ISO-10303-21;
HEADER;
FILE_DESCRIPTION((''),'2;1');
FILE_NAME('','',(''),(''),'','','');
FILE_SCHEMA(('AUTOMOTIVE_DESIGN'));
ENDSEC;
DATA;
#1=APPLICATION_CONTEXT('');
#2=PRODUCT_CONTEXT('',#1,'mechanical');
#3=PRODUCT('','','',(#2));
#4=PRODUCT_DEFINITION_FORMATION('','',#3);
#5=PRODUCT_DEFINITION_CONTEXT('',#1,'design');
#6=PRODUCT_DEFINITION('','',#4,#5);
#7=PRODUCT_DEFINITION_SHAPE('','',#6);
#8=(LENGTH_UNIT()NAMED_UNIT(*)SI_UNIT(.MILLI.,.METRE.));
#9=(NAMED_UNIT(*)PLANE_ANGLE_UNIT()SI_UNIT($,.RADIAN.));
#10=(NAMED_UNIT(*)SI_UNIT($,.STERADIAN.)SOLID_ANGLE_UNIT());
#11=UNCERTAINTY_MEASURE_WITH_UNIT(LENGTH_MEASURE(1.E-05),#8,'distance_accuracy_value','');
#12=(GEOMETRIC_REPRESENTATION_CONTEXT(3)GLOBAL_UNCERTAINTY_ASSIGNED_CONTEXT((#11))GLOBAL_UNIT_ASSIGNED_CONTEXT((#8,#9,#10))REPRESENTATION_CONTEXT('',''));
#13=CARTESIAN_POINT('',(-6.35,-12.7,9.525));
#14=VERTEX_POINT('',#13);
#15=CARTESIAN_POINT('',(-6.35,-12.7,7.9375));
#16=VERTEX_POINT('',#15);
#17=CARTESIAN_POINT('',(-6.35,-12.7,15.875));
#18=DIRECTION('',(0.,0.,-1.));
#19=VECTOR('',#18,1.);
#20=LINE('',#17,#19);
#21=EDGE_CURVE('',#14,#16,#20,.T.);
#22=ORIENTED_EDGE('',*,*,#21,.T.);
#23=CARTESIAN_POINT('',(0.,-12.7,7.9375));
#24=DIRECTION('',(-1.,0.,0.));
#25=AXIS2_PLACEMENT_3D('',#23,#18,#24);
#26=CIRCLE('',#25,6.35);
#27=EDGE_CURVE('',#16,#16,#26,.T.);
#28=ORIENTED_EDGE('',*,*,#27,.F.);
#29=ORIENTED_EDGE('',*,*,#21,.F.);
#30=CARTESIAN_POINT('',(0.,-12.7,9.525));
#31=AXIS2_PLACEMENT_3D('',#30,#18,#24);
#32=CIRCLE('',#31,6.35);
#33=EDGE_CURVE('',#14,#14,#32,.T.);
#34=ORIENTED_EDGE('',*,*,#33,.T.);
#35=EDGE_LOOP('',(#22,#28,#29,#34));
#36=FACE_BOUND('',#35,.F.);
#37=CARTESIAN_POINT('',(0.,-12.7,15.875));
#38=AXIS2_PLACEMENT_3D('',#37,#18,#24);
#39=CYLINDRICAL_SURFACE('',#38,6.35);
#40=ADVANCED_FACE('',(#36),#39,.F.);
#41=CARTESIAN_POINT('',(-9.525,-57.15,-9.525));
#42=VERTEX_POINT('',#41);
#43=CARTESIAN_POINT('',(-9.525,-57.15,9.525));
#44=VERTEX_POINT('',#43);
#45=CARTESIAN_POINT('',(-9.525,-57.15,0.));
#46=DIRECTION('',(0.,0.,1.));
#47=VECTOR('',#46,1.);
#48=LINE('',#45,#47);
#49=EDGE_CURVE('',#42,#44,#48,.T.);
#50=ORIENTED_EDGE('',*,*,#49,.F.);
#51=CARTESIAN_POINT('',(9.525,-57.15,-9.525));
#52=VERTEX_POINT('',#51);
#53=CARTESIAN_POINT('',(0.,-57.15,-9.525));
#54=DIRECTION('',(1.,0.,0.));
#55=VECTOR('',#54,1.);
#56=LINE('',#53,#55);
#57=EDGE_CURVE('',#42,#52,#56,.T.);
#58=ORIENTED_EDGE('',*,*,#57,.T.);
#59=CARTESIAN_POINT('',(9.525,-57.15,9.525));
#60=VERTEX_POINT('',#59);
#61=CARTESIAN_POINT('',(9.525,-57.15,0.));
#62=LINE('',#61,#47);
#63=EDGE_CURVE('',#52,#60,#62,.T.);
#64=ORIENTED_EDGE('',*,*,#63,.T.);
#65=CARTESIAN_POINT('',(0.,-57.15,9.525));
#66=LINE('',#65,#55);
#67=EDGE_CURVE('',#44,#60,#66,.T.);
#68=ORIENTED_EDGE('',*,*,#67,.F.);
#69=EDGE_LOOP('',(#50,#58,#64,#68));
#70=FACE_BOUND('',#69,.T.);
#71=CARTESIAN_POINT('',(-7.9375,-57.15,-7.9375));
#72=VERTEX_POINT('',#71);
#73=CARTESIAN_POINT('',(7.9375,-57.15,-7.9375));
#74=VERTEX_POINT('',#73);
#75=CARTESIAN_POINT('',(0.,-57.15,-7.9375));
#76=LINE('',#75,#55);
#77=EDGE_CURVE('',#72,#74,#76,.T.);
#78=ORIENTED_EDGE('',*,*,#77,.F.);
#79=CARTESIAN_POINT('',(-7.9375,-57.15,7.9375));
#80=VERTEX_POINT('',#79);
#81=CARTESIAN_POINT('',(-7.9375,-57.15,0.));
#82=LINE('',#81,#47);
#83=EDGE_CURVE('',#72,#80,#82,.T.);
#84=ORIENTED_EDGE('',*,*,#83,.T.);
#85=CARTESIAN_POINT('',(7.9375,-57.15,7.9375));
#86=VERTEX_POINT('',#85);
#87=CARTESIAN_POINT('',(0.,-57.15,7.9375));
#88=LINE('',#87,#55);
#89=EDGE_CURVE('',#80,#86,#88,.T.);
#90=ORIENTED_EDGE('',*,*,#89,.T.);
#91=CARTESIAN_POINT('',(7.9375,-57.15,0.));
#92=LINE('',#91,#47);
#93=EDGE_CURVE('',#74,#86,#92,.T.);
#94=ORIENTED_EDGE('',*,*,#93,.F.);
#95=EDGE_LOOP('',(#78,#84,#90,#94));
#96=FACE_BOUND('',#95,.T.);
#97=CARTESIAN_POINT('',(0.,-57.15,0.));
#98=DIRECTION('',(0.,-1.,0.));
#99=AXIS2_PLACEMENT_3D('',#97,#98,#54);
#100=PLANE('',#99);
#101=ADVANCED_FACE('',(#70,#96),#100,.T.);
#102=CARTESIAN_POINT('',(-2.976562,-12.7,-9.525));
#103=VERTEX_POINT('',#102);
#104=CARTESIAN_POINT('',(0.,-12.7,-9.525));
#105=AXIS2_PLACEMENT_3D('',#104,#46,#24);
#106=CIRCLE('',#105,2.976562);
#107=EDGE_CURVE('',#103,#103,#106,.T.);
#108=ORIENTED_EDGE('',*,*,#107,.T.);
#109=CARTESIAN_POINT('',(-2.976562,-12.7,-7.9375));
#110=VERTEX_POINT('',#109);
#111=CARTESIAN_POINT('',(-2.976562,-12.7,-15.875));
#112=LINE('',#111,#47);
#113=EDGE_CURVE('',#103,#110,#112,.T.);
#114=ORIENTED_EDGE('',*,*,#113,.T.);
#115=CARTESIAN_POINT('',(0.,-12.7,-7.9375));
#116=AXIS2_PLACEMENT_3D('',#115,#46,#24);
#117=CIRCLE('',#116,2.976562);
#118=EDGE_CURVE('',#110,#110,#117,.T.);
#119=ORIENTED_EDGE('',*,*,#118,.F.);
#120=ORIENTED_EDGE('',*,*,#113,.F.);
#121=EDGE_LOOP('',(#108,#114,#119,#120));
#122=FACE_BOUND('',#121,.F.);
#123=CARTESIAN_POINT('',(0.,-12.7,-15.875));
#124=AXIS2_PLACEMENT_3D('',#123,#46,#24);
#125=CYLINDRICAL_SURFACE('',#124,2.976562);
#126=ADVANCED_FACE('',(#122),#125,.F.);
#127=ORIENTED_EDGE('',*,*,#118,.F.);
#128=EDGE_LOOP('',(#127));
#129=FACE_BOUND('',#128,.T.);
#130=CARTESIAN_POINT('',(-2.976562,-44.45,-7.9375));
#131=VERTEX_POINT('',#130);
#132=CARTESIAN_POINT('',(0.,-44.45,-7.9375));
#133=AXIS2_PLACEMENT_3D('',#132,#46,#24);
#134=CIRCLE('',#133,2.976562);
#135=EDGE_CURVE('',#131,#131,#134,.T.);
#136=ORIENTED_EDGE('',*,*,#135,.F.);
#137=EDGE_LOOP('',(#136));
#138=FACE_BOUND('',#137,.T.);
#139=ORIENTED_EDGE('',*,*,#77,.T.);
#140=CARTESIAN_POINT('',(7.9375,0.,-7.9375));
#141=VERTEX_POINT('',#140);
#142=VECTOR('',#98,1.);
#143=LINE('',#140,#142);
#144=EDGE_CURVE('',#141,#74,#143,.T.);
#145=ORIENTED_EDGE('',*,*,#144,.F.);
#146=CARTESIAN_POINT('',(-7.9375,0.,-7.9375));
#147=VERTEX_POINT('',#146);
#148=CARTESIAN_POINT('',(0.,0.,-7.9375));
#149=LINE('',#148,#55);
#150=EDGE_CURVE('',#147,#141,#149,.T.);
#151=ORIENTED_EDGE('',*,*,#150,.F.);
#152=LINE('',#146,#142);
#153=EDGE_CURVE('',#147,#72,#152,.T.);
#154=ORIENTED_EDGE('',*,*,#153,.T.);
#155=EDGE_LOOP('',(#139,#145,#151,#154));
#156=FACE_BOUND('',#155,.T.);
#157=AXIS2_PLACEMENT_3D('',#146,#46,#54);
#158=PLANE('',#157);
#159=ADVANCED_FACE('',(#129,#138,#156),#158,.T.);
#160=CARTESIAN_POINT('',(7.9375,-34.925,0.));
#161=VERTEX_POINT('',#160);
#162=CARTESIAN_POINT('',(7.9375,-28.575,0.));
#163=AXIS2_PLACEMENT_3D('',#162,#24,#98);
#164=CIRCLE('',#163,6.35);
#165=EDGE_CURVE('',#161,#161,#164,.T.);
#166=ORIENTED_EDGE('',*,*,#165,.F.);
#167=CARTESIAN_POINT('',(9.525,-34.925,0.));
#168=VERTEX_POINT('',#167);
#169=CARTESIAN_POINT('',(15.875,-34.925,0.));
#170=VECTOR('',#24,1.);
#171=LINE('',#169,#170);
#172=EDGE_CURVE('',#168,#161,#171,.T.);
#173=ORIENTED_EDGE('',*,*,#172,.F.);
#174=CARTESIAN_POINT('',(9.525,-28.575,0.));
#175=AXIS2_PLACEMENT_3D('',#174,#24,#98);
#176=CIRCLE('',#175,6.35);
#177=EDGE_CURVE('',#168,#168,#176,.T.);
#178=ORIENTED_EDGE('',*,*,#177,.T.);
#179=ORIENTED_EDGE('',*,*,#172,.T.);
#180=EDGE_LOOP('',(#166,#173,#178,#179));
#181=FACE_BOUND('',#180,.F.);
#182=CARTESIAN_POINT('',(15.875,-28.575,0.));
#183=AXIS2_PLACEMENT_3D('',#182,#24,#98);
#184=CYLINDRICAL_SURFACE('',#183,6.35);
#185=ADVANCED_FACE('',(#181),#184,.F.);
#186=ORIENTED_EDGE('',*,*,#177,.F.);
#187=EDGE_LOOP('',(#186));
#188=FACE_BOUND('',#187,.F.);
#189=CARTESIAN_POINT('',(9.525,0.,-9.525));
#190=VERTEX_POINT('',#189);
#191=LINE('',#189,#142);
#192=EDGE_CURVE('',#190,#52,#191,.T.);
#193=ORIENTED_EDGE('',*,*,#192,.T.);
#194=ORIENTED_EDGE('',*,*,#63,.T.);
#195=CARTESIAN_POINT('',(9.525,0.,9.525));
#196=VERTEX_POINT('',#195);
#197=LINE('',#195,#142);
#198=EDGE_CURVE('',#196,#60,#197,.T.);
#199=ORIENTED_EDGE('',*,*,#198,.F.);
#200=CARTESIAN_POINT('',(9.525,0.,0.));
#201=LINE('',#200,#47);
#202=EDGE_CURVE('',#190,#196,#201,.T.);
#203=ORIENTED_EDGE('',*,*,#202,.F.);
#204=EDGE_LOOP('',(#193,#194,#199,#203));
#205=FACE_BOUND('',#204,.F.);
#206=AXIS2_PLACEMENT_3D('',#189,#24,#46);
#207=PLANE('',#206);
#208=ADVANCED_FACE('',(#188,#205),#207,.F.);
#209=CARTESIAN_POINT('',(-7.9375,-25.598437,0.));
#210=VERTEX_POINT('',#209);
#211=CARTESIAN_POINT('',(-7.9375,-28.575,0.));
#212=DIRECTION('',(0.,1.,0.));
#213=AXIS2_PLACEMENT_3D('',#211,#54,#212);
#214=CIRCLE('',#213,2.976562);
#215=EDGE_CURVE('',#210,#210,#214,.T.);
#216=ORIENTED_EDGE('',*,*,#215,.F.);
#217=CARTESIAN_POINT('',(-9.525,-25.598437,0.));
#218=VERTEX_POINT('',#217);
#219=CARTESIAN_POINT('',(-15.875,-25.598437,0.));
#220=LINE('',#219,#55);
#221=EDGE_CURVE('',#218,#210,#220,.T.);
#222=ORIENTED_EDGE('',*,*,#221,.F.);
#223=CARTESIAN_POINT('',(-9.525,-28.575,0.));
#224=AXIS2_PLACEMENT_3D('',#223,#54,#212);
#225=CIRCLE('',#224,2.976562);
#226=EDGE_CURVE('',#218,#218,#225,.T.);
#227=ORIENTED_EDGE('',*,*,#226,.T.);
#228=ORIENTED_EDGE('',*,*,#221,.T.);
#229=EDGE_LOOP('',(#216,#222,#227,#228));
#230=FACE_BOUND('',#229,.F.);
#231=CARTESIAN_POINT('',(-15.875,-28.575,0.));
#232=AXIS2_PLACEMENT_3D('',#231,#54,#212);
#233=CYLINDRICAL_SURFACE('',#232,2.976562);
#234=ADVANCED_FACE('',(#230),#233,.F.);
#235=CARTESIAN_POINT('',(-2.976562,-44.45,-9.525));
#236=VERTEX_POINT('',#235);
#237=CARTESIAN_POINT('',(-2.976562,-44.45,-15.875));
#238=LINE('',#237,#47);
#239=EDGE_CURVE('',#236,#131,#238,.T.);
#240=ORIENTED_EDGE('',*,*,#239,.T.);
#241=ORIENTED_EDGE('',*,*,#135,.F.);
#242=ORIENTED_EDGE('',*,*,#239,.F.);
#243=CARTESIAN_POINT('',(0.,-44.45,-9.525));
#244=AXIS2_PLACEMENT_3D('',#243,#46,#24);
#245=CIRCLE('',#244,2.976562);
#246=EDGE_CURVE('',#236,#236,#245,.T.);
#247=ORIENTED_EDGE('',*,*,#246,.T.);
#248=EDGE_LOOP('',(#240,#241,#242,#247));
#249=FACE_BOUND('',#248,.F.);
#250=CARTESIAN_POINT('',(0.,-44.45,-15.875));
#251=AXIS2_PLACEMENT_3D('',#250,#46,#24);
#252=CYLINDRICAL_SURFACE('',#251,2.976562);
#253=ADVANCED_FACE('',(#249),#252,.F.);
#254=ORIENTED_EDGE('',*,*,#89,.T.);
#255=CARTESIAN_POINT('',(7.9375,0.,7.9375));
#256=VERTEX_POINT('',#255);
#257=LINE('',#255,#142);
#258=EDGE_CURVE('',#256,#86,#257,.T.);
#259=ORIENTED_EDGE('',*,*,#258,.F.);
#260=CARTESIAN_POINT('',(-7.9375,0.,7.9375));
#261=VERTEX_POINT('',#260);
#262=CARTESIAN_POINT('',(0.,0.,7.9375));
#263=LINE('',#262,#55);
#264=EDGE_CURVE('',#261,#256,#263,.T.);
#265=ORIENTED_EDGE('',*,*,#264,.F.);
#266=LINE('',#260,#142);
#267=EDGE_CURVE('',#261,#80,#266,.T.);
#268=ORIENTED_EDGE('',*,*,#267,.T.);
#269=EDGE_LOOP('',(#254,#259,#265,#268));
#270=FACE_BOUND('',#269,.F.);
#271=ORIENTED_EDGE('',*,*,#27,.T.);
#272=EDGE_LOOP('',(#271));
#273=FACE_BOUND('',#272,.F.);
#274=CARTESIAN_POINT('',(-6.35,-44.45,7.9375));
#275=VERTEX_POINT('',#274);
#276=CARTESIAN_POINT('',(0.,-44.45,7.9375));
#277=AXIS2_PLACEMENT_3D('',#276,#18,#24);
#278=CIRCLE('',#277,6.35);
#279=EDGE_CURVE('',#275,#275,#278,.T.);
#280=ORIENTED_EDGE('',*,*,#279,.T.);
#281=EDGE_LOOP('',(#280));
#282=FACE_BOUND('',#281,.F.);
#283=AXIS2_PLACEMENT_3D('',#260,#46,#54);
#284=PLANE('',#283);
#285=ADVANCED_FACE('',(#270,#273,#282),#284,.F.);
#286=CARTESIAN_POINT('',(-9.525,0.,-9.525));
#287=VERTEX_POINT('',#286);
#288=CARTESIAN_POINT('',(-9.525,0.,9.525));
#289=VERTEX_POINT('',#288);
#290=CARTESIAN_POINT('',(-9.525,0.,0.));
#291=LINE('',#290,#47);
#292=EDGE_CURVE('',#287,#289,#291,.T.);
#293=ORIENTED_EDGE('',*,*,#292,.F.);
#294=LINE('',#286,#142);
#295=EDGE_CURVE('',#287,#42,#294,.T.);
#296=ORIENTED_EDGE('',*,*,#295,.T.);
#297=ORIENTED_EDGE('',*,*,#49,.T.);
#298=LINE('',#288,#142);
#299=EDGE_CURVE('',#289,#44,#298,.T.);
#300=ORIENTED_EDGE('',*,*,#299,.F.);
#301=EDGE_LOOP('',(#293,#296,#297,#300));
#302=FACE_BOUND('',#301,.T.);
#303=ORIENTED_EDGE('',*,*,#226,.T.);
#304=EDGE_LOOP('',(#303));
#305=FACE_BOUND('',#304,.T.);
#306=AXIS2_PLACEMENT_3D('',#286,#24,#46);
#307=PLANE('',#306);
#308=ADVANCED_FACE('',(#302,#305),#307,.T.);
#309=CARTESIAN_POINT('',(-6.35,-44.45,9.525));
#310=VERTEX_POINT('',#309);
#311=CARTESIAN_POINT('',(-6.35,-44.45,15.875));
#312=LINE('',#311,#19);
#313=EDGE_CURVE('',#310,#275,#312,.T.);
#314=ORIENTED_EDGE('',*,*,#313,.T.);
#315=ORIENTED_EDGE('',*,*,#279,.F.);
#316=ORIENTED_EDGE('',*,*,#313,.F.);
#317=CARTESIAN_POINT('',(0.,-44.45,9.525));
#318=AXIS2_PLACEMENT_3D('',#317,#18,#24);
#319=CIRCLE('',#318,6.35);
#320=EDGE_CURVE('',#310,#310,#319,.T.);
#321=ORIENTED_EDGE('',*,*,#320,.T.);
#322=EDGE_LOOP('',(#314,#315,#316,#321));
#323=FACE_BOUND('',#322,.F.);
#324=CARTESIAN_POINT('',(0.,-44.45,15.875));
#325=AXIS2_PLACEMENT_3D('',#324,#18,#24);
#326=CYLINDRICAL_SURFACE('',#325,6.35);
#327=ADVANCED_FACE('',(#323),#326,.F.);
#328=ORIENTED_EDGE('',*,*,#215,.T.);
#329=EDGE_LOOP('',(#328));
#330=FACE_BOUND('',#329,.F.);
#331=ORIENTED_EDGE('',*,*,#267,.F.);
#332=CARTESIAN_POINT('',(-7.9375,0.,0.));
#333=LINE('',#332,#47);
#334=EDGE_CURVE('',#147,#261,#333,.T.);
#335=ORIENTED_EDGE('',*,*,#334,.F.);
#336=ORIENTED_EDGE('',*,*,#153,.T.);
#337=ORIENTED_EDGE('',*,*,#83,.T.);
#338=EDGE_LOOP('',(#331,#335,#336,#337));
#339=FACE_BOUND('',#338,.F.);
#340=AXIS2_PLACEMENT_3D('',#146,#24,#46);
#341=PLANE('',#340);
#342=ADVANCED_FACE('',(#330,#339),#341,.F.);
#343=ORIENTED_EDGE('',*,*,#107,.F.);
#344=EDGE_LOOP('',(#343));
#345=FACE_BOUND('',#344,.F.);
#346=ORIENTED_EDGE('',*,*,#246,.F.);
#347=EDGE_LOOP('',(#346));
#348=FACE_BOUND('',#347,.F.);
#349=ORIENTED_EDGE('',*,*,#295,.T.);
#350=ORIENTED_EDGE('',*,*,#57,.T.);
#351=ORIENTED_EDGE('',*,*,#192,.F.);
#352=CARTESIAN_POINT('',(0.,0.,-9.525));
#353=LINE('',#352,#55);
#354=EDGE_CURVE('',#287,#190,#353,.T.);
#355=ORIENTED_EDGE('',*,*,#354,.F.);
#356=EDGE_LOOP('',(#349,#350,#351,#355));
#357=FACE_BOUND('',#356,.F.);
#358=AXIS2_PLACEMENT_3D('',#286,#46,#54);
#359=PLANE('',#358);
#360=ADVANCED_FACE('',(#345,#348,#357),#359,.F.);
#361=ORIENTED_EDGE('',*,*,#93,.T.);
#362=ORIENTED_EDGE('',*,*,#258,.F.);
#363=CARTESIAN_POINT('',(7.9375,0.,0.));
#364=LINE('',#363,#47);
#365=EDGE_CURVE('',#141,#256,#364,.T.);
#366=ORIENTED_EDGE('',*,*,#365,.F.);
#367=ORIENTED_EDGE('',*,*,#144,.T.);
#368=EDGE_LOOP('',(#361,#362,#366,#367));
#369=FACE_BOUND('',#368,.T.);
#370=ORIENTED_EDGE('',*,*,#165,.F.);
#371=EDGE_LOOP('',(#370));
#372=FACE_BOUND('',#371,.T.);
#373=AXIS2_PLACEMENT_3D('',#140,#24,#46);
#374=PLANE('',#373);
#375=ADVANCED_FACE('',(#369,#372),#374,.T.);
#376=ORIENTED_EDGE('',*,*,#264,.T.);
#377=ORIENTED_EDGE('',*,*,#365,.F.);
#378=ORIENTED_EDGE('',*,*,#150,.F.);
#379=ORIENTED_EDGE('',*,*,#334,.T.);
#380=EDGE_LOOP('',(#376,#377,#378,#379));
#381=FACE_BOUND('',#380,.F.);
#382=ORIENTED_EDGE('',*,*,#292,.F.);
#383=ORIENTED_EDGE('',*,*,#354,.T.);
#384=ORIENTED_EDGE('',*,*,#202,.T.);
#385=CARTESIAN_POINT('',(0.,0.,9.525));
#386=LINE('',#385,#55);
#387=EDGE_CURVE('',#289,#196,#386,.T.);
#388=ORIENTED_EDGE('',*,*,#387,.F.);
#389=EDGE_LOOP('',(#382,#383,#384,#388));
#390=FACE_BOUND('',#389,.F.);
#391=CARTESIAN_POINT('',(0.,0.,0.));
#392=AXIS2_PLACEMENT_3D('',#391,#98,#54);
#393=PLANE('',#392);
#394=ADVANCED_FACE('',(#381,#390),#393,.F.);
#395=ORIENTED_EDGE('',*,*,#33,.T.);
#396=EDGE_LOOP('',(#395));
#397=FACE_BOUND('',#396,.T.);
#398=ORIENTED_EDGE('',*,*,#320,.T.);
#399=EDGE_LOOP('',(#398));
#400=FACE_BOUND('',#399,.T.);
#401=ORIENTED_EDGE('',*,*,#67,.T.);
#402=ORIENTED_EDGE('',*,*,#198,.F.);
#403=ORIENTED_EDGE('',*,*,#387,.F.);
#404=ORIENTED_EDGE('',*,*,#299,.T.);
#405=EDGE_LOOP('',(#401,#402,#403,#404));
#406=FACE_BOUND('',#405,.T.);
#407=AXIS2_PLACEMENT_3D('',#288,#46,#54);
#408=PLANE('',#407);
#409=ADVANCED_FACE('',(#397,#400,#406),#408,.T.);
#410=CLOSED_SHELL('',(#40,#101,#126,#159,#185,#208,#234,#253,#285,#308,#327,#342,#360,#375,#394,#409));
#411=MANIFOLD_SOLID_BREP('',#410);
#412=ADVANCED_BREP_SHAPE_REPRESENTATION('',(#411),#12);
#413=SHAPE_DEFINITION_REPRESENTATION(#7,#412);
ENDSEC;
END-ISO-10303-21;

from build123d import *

# Parameters (mm, degrees)
F0_W     = 19.05
F0_H     = 19.05
F0_W_2   = 15.875
F0_H_2   = 15.875
F1_DEPTH = 57.15
F3_D     = 5.953125
F3_DEPTH = 6.35
F5_D     = 12.7
F5_DEPTH = 6.35
F7_D     = 12.7
F7_DEPTH = 6.35
F9_D     = 5.953125
F9_DEPTH = 6.35


with BuildPart() as f1:
    # F0 (on Front) → F1 (new body)
    with BuildSketch(Plane.XZ):
        Rectangle(F0_W, F0_H)
        Rectangle(F0_W_2, F0_H_2, mode=Mode.SUBTRACT)
    extrude(amount=F1_DEPTH)

    # F3
    with Locations(Plane(origin=(0, 0, -9.525), x_dir=(1, 0, 0), z_dir=(0, 0, -1))):
        with Locations((0, 44.45), (0, 12.7)):
            Hole(F3_D / 2, depth=F3_DEPTH)

    # F5
    with Locations(Plane.XY.offset(9.525)):
        with Locations((0, -12.7), (0, -44.45)):
            Hole(F5_D / 2, depth=F5_DEPTH)

    # F7
    with Locations(Plane.YZ.offset(9.525)):
        with Locations((-28.575, 0)):
            Hole(F7_D / 2, depth=F7_DEPTH)

    # F9
    with Locations(Plane(origin=(-9.525, 0, 0), x_dir=(0, -1, 0), z_dir=(-1, 0, 0))):
        with Locations((28.575, 0)):
            Hole(F9_D / 2, depth=F9_DEPTH)


solid = f1.part
